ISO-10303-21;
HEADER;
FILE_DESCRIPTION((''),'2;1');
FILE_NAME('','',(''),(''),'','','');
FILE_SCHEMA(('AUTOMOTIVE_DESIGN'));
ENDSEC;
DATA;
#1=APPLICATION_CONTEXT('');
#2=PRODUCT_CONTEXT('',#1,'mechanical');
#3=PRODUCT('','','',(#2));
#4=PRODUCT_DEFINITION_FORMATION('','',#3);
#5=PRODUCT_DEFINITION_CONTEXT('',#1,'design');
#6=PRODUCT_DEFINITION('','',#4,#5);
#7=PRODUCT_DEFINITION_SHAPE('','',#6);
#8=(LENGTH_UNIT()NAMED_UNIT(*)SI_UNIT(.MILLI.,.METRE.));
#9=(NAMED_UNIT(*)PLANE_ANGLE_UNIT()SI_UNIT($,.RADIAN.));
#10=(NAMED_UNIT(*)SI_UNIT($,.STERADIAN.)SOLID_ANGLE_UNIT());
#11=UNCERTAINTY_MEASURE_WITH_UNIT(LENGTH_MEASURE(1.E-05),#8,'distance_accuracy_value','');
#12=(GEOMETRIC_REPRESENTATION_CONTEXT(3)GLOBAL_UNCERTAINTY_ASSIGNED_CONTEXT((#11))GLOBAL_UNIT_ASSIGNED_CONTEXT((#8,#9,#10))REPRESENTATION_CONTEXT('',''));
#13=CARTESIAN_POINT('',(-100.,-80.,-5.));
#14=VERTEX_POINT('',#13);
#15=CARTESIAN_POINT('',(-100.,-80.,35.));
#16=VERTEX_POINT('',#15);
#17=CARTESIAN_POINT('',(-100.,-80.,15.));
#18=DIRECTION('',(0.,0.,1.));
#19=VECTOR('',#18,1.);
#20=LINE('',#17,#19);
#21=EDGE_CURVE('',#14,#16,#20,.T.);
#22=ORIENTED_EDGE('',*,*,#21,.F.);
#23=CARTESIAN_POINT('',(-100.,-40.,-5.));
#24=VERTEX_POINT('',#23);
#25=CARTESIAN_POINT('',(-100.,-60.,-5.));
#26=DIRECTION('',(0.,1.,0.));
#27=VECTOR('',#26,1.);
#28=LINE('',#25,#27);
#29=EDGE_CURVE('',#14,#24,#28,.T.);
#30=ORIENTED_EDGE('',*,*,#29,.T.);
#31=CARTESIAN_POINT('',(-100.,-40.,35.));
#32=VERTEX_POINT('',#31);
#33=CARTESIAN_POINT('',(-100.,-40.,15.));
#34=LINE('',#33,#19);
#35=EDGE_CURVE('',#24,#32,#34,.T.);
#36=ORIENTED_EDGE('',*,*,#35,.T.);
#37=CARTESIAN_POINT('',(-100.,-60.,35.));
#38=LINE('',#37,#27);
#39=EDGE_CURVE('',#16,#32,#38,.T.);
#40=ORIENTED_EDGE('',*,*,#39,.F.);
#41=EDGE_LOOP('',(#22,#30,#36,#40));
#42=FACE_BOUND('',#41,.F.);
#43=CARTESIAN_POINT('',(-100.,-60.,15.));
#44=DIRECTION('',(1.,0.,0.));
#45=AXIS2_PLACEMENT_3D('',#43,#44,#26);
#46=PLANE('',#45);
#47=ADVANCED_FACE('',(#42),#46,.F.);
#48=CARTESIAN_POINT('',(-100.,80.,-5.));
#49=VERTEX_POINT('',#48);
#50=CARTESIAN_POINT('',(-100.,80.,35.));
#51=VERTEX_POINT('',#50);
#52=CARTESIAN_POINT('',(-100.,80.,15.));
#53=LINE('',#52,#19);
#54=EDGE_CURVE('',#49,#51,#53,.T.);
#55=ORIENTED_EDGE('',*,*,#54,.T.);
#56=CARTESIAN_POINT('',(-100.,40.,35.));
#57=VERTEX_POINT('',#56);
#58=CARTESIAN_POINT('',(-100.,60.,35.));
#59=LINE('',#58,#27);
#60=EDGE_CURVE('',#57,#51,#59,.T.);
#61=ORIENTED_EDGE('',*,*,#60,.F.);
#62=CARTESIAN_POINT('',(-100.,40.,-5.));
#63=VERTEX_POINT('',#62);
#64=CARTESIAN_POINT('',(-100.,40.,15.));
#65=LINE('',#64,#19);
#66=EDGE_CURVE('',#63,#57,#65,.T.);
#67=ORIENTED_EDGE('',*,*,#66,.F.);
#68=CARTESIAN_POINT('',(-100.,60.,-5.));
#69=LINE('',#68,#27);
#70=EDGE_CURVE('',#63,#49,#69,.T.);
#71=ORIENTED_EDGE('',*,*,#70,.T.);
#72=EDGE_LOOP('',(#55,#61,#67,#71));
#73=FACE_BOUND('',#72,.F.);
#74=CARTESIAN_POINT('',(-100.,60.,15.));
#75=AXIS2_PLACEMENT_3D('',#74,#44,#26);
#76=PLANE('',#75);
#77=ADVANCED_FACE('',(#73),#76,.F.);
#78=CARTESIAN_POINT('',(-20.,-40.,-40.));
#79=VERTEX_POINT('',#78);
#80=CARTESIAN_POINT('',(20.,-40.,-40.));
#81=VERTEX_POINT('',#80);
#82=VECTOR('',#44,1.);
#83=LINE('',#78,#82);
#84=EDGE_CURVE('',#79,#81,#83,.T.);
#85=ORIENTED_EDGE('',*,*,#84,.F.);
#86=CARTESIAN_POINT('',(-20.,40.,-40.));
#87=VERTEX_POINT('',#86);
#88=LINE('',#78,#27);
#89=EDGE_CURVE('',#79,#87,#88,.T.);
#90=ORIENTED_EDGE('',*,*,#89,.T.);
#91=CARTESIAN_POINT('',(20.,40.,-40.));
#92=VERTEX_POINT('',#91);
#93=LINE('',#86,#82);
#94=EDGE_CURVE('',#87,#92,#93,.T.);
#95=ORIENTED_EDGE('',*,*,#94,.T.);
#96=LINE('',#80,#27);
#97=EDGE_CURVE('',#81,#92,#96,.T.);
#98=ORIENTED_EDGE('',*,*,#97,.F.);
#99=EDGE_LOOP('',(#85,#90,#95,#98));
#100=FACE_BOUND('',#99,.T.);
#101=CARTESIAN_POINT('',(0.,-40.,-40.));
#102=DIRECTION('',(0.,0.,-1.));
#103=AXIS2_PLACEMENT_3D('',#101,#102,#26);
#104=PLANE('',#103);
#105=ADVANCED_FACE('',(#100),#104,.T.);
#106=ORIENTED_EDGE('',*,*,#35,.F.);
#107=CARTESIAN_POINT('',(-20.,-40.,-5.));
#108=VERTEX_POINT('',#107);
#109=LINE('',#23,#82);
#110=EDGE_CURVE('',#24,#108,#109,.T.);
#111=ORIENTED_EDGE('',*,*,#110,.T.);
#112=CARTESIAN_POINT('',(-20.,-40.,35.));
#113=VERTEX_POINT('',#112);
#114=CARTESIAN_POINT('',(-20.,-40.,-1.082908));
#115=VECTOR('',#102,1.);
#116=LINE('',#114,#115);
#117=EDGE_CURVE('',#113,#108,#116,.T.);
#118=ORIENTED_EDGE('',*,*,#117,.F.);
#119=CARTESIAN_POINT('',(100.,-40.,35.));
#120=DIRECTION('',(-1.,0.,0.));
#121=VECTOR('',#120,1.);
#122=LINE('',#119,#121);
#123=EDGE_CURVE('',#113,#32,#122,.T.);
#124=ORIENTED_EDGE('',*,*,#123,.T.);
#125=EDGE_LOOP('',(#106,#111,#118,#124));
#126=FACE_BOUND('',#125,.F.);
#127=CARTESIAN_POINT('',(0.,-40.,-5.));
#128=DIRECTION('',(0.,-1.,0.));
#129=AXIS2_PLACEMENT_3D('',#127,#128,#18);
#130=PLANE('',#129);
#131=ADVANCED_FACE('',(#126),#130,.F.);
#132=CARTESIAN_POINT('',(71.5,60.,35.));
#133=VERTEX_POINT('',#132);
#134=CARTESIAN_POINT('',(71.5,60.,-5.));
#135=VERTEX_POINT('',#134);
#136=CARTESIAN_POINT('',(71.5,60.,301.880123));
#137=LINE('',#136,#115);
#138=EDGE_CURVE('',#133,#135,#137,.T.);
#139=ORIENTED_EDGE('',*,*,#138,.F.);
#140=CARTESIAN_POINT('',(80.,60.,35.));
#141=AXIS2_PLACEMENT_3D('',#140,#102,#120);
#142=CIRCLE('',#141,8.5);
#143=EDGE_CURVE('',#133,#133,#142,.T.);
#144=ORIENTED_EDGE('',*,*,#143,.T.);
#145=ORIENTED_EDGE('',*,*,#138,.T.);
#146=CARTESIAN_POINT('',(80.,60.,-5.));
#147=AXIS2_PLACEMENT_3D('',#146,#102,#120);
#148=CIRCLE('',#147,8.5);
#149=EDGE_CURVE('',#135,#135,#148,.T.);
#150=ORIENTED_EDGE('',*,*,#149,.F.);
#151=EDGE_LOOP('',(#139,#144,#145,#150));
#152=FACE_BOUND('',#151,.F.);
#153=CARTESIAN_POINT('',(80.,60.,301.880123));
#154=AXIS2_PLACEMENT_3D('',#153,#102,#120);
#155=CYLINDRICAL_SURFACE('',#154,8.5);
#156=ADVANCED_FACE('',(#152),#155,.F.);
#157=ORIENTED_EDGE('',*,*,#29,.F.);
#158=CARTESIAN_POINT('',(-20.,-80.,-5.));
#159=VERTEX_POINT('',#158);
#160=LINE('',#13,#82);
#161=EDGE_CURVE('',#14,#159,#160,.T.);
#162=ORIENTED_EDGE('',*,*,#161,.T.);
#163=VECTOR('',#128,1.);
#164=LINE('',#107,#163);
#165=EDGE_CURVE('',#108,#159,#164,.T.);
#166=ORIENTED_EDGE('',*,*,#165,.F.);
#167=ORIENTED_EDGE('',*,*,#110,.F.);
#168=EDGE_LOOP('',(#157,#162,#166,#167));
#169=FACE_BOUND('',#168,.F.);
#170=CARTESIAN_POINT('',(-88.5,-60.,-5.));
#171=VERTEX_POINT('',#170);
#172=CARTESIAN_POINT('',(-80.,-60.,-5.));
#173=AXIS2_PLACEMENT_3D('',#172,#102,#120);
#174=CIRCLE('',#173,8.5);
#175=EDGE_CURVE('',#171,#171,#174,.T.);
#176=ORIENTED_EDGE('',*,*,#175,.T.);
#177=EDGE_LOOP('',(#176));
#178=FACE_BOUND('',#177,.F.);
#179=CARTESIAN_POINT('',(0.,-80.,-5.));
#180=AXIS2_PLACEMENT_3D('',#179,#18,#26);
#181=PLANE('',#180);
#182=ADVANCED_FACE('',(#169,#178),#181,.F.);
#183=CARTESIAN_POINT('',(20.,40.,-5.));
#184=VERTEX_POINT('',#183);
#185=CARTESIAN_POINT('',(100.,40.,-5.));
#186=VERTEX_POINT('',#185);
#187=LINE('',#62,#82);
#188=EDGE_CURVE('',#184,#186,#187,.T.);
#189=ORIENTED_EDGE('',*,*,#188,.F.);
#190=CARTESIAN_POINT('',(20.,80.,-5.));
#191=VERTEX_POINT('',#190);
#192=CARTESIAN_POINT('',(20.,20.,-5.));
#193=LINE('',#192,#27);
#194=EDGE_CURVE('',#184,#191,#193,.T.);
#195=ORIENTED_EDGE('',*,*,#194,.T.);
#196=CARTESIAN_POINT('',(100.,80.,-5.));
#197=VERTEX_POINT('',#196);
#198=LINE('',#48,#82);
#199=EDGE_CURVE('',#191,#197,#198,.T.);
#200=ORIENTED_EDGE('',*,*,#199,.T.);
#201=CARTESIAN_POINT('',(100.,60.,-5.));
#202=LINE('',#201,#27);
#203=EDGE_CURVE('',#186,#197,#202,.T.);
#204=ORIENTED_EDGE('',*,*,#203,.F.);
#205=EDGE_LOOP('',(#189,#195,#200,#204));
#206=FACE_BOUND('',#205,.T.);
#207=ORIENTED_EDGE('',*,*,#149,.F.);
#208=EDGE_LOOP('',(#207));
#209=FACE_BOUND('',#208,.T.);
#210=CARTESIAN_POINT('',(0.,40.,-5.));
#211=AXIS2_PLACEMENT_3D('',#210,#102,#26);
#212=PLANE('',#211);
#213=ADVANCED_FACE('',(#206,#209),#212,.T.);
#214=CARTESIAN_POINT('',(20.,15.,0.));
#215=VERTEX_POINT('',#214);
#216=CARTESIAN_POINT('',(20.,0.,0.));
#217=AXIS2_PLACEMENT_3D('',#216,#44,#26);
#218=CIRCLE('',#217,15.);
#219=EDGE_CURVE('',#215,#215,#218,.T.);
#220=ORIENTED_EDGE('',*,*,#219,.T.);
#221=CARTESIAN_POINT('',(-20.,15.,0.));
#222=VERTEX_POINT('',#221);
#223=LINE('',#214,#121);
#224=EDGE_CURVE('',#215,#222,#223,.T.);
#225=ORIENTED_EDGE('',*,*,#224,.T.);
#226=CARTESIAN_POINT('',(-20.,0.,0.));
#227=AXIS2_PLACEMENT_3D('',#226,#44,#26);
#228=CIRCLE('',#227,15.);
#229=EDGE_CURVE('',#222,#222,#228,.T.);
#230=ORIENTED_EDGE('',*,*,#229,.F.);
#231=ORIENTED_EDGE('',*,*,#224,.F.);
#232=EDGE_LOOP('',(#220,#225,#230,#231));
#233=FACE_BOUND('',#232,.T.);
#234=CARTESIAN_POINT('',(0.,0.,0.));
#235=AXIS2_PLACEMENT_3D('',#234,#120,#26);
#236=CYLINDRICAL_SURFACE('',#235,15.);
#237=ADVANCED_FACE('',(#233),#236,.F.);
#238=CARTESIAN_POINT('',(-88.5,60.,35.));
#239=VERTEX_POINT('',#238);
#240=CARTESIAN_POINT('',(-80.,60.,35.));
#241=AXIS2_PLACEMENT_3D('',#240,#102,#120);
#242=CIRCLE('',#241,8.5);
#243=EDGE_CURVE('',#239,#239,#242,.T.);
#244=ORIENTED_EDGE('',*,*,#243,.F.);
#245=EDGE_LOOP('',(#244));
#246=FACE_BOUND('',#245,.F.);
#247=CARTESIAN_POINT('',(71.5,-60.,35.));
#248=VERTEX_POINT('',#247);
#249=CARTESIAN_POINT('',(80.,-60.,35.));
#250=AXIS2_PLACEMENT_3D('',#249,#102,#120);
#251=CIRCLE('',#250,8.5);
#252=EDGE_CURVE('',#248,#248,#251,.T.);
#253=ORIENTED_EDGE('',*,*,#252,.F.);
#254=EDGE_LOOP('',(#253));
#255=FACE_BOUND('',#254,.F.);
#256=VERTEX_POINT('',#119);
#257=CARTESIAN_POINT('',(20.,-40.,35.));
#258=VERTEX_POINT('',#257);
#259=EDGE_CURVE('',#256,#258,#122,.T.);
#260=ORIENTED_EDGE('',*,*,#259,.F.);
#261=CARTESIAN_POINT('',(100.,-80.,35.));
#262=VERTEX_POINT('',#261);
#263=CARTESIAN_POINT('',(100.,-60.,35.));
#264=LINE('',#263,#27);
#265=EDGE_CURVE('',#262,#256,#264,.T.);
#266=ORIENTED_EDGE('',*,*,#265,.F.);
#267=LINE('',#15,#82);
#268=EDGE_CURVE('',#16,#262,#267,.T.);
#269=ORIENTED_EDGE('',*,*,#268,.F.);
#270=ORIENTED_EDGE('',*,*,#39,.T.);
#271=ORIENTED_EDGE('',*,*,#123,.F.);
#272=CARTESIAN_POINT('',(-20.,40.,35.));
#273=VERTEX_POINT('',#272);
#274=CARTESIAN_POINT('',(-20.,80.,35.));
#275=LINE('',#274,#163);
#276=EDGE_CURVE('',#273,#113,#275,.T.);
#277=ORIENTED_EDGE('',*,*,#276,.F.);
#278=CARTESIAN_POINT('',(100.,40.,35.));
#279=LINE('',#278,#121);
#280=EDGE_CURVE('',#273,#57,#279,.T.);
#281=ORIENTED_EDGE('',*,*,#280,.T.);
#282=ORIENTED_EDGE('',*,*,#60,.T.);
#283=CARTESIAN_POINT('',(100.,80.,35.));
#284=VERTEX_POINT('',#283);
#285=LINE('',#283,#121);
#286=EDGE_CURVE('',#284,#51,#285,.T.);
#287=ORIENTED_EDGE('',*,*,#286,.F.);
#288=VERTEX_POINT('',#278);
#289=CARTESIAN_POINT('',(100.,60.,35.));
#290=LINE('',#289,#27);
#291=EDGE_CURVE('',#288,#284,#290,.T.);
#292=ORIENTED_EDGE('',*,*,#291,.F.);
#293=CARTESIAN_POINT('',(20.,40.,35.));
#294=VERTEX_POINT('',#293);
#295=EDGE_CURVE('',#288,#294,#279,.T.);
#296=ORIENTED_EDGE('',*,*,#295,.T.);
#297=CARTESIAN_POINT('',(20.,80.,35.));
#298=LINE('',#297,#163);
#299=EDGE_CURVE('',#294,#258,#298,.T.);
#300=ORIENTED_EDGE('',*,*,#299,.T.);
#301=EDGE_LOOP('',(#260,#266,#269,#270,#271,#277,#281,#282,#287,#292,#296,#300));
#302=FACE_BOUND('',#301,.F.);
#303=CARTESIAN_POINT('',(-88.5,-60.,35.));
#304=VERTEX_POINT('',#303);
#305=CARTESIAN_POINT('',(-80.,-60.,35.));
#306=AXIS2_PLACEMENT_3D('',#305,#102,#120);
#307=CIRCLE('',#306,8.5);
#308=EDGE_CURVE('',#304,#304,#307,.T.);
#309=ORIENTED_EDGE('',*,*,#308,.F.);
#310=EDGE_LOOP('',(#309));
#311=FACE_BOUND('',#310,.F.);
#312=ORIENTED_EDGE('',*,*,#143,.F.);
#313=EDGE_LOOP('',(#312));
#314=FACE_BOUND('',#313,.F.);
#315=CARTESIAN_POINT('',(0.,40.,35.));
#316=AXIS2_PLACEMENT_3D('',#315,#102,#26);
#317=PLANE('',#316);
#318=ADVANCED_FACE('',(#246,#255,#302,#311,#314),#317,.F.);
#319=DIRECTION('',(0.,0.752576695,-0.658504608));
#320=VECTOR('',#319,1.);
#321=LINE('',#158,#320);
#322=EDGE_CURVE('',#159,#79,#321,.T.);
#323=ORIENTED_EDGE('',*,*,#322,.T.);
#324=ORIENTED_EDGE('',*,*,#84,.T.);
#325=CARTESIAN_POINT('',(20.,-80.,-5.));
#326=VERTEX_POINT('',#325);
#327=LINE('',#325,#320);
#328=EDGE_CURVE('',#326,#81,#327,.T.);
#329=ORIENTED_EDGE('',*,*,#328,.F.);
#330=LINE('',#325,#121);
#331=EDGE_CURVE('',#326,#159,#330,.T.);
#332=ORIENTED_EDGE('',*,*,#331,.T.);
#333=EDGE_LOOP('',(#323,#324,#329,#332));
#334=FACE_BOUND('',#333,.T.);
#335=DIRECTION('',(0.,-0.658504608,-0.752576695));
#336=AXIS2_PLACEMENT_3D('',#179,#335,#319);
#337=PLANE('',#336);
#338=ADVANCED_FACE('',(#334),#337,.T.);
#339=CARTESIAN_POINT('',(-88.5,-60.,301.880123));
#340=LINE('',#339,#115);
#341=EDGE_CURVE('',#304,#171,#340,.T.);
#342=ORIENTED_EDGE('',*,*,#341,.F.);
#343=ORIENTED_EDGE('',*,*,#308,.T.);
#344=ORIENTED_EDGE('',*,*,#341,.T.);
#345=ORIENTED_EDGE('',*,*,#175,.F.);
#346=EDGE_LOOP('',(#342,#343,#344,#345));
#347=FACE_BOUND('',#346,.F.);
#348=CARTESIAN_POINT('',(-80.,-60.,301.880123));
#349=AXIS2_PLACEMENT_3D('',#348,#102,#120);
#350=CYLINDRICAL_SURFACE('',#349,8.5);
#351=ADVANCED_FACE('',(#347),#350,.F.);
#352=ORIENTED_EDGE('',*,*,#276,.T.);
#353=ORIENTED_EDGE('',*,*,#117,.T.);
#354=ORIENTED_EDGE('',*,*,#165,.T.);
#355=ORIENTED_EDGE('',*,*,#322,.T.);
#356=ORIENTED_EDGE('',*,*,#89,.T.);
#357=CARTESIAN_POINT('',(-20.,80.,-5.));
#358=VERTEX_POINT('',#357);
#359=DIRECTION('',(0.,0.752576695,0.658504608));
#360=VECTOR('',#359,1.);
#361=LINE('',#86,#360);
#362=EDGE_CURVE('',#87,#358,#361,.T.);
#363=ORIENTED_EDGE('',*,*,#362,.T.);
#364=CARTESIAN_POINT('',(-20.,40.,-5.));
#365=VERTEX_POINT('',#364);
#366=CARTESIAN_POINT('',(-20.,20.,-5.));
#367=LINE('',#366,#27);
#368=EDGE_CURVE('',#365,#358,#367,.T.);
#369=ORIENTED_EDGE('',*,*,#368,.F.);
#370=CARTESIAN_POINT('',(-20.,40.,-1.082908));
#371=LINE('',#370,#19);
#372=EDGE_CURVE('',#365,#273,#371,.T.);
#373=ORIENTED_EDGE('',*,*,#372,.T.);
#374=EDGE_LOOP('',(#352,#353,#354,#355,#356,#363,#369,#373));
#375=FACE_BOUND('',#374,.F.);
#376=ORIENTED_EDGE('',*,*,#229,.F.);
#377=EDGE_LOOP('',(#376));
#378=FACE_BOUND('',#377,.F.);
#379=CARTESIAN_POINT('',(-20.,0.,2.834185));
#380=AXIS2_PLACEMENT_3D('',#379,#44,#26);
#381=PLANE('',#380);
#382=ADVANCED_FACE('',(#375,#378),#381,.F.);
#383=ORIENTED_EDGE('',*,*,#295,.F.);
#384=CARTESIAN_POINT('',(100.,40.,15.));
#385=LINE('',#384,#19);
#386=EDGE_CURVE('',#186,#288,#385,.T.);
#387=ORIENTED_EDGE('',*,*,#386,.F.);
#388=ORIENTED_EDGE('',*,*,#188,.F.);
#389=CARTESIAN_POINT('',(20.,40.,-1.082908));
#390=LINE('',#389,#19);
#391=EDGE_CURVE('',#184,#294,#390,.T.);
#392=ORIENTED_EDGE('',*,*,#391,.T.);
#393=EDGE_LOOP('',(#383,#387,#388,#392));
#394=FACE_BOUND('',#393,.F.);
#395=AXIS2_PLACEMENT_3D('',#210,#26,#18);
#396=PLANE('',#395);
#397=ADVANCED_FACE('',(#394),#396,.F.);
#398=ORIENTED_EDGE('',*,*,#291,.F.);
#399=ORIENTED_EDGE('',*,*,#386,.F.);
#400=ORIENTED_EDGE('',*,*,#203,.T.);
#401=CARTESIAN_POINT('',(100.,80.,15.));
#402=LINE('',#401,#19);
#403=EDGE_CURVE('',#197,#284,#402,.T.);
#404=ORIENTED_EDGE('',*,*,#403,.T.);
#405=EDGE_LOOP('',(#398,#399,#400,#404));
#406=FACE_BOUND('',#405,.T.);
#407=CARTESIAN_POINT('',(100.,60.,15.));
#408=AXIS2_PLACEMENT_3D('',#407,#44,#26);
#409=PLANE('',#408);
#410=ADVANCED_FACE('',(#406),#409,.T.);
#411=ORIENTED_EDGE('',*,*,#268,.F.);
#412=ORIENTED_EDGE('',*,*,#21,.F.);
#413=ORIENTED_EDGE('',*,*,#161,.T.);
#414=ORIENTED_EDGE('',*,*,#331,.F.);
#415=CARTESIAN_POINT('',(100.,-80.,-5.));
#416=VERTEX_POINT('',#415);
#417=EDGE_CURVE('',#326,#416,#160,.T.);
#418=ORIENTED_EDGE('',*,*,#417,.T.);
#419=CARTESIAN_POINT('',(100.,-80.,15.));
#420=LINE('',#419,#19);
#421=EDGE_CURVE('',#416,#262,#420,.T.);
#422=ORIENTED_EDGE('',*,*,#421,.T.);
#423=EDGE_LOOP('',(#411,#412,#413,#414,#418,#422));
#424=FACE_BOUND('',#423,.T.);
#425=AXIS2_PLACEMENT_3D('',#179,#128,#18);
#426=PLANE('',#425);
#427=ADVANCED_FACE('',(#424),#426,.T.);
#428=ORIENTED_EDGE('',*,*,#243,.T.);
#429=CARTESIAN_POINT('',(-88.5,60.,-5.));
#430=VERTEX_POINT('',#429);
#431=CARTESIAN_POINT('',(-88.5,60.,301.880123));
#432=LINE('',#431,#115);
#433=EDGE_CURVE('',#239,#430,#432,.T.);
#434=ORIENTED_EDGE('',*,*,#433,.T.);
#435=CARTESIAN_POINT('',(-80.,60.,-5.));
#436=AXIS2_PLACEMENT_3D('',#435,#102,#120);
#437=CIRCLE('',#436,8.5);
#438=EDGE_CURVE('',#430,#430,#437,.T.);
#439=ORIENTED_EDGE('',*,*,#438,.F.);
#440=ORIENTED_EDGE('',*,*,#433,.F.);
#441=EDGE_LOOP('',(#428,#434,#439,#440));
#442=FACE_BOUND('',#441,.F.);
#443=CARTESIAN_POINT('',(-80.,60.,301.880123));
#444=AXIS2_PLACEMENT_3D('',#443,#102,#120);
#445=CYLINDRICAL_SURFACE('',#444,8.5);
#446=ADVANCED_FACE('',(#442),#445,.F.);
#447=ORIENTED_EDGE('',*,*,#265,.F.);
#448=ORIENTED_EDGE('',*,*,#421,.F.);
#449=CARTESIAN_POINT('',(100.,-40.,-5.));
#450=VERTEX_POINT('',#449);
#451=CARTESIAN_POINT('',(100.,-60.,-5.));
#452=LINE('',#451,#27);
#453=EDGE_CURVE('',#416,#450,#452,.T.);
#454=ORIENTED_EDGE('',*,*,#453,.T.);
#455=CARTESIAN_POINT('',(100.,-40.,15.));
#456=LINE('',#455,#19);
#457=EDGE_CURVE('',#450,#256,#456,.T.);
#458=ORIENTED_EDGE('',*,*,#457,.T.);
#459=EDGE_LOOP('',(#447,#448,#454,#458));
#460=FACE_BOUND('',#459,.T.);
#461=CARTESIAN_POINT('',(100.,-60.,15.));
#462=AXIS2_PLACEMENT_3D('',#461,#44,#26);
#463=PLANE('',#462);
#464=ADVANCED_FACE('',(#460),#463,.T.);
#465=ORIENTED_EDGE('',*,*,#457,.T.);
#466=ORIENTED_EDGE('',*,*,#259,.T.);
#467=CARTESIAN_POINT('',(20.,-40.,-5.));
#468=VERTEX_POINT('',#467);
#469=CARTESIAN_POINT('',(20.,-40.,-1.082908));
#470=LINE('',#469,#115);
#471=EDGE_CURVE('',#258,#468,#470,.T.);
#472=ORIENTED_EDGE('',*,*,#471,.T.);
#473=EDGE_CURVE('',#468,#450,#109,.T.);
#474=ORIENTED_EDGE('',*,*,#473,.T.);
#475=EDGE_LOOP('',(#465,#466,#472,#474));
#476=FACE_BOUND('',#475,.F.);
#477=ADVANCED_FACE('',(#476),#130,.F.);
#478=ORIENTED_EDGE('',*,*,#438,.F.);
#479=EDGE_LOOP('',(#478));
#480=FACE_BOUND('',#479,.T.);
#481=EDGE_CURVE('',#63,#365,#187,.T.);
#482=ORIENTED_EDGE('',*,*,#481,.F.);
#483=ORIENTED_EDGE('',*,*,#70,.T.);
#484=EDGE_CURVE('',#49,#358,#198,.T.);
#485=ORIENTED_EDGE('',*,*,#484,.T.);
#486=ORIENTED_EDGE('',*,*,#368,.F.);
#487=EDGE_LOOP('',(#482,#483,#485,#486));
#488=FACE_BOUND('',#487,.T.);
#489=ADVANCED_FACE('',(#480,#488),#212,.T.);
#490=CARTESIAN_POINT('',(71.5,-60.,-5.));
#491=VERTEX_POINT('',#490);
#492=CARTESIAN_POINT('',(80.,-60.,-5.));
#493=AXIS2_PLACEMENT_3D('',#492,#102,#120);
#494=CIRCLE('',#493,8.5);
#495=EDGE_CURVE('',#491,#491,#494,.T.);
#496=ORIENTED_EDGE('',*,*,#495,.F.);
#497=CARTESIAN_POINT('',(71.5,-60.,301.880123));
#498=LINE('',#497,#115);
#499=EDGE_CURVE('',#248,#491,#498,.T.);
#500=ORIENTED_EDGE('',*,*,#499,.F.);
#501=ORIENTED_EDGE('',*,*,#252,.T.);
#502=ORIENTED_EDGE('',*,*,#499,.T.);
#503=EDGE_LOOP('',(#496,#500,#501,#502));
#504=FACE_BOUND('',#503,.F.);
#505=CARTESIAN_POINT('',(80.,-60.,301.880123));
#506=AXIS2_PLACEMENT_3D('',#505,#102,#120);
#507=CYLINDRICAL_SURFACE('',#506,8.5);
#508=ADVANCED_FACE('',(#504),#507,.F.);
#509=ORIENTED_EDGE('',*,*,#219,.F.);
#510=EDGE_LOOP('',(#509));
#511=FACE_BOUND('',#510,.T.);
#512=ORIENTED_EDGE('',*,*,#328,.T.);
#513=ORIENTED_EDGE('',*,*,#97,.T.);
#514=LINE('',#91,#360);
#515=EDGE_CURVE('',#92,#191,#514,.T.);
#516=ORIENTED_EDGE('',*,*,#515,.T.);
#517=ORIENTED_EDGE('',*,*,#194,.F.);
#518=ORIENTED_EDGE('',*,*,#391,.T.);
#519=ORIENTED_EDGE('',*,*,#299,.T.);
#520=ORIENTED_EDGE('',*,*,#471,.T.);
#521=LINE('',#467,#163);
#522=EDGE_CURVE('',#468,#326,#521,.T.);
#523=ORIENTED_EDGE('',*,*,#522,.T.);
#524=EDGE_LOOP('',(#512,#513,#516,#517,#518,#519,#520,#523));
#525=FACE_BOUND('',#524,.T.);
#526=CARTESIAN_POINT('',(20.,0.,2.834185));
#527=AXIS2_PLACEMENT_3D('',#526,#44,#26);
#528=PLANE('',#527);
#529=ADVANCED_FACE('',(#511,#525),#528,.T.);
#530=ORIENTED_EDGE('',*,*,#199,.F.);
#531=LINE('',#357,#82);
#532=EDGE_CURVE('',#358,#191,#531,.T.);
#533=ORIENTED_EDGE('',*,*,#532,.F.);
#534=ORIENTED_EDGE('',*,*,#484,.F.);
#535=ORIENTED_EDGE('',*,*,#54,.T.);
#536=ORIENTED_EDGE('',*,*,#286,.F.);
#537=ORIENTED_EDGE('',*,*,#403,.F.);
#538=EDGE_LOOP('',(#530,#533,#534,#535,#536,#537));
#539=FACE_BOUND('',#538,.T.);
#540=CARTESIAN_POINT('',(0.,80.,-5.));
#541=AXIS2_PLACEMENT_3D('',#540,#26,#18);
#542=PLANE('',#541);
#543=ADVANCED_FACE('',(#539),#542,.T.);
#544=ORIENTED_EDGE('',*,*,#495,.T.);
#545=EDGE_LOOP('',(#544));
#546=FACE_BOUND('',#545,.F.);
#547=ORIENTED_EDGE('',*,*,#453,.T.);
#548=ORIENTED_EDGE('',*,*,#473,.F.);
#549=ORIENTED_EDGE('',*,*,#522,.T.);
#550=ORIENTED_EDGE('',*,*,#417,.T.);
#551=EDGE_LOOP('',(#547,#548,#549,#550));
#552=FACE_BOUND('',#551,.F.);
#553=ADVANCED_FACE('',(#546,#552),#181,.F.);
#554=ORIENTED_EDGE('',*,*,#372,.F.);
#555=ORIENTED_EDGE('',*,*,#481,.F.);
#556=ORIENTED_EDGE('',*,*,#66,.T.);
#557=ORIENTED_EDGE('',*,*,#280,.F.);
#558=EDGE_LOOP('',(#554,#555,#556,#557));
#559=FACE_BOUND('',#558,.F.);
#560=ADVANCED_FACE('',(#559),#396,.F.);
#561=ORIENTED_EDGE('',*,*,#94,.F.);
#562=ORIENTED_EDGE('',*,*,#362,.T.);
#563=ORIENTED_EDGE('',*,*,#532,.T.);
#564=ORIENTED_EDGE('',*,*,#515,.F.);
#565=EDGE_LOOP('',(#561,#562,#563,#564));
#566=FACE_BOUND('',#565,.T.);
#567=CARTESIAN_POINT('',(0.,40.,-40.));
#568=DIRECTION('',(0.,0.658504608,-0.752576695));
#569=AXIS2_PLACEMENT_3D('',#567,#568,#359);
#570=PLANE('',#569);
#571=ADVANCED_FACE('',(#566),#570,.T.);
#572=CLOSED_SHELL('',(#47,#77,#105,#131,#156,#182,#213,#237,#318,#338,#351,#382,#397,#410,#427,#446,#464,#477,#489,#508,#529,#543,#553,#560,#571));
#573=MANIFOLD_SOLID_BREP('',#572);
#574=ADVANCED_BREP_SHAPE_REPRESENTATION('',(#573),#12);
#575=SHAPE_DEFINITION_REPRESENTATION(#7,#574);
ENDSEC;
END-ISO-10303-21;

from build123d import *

# Parameters (mm, degrees)
F0_R     = 15
F1_DEPTH = 20
F2_W     = 40
F2_H     = 40
F3_DEPTH = 100
F5_D     = 17


with BuildPart() as f1:
    # F0 (on Right) → F1 (new body, symmetric)
    with BuildSketch(Plane.YZ):
        Polygon((-80, -5), (-40, -40), (40, -40), (80, -5), (80, 35), (-80, 35), align=None)
        Circle(F0_R, mode=Mode.SUBTRACT)
    extrude(amount=F1_DEPTH, both=True)

    # F2 (on Right) → F3 (join, symmetric)
    with BuildSketch(Plane.YZ):
        with Locations((-60, 15)):
            Rectangle(F2_W, F2_H)
        with Locations((60, 15)):
            Rectangle(F2_W, F2_H)
    extrude(amount=F3_DEPTH, both=True)

    # F5 (through all)
    with Locations(Plane.XY.offset(35)):
        with Locations((-80, 60), (80, 60), (80, -60), (-80, -60)):
            Hole(F5_D / 2)


solid = f1.part
